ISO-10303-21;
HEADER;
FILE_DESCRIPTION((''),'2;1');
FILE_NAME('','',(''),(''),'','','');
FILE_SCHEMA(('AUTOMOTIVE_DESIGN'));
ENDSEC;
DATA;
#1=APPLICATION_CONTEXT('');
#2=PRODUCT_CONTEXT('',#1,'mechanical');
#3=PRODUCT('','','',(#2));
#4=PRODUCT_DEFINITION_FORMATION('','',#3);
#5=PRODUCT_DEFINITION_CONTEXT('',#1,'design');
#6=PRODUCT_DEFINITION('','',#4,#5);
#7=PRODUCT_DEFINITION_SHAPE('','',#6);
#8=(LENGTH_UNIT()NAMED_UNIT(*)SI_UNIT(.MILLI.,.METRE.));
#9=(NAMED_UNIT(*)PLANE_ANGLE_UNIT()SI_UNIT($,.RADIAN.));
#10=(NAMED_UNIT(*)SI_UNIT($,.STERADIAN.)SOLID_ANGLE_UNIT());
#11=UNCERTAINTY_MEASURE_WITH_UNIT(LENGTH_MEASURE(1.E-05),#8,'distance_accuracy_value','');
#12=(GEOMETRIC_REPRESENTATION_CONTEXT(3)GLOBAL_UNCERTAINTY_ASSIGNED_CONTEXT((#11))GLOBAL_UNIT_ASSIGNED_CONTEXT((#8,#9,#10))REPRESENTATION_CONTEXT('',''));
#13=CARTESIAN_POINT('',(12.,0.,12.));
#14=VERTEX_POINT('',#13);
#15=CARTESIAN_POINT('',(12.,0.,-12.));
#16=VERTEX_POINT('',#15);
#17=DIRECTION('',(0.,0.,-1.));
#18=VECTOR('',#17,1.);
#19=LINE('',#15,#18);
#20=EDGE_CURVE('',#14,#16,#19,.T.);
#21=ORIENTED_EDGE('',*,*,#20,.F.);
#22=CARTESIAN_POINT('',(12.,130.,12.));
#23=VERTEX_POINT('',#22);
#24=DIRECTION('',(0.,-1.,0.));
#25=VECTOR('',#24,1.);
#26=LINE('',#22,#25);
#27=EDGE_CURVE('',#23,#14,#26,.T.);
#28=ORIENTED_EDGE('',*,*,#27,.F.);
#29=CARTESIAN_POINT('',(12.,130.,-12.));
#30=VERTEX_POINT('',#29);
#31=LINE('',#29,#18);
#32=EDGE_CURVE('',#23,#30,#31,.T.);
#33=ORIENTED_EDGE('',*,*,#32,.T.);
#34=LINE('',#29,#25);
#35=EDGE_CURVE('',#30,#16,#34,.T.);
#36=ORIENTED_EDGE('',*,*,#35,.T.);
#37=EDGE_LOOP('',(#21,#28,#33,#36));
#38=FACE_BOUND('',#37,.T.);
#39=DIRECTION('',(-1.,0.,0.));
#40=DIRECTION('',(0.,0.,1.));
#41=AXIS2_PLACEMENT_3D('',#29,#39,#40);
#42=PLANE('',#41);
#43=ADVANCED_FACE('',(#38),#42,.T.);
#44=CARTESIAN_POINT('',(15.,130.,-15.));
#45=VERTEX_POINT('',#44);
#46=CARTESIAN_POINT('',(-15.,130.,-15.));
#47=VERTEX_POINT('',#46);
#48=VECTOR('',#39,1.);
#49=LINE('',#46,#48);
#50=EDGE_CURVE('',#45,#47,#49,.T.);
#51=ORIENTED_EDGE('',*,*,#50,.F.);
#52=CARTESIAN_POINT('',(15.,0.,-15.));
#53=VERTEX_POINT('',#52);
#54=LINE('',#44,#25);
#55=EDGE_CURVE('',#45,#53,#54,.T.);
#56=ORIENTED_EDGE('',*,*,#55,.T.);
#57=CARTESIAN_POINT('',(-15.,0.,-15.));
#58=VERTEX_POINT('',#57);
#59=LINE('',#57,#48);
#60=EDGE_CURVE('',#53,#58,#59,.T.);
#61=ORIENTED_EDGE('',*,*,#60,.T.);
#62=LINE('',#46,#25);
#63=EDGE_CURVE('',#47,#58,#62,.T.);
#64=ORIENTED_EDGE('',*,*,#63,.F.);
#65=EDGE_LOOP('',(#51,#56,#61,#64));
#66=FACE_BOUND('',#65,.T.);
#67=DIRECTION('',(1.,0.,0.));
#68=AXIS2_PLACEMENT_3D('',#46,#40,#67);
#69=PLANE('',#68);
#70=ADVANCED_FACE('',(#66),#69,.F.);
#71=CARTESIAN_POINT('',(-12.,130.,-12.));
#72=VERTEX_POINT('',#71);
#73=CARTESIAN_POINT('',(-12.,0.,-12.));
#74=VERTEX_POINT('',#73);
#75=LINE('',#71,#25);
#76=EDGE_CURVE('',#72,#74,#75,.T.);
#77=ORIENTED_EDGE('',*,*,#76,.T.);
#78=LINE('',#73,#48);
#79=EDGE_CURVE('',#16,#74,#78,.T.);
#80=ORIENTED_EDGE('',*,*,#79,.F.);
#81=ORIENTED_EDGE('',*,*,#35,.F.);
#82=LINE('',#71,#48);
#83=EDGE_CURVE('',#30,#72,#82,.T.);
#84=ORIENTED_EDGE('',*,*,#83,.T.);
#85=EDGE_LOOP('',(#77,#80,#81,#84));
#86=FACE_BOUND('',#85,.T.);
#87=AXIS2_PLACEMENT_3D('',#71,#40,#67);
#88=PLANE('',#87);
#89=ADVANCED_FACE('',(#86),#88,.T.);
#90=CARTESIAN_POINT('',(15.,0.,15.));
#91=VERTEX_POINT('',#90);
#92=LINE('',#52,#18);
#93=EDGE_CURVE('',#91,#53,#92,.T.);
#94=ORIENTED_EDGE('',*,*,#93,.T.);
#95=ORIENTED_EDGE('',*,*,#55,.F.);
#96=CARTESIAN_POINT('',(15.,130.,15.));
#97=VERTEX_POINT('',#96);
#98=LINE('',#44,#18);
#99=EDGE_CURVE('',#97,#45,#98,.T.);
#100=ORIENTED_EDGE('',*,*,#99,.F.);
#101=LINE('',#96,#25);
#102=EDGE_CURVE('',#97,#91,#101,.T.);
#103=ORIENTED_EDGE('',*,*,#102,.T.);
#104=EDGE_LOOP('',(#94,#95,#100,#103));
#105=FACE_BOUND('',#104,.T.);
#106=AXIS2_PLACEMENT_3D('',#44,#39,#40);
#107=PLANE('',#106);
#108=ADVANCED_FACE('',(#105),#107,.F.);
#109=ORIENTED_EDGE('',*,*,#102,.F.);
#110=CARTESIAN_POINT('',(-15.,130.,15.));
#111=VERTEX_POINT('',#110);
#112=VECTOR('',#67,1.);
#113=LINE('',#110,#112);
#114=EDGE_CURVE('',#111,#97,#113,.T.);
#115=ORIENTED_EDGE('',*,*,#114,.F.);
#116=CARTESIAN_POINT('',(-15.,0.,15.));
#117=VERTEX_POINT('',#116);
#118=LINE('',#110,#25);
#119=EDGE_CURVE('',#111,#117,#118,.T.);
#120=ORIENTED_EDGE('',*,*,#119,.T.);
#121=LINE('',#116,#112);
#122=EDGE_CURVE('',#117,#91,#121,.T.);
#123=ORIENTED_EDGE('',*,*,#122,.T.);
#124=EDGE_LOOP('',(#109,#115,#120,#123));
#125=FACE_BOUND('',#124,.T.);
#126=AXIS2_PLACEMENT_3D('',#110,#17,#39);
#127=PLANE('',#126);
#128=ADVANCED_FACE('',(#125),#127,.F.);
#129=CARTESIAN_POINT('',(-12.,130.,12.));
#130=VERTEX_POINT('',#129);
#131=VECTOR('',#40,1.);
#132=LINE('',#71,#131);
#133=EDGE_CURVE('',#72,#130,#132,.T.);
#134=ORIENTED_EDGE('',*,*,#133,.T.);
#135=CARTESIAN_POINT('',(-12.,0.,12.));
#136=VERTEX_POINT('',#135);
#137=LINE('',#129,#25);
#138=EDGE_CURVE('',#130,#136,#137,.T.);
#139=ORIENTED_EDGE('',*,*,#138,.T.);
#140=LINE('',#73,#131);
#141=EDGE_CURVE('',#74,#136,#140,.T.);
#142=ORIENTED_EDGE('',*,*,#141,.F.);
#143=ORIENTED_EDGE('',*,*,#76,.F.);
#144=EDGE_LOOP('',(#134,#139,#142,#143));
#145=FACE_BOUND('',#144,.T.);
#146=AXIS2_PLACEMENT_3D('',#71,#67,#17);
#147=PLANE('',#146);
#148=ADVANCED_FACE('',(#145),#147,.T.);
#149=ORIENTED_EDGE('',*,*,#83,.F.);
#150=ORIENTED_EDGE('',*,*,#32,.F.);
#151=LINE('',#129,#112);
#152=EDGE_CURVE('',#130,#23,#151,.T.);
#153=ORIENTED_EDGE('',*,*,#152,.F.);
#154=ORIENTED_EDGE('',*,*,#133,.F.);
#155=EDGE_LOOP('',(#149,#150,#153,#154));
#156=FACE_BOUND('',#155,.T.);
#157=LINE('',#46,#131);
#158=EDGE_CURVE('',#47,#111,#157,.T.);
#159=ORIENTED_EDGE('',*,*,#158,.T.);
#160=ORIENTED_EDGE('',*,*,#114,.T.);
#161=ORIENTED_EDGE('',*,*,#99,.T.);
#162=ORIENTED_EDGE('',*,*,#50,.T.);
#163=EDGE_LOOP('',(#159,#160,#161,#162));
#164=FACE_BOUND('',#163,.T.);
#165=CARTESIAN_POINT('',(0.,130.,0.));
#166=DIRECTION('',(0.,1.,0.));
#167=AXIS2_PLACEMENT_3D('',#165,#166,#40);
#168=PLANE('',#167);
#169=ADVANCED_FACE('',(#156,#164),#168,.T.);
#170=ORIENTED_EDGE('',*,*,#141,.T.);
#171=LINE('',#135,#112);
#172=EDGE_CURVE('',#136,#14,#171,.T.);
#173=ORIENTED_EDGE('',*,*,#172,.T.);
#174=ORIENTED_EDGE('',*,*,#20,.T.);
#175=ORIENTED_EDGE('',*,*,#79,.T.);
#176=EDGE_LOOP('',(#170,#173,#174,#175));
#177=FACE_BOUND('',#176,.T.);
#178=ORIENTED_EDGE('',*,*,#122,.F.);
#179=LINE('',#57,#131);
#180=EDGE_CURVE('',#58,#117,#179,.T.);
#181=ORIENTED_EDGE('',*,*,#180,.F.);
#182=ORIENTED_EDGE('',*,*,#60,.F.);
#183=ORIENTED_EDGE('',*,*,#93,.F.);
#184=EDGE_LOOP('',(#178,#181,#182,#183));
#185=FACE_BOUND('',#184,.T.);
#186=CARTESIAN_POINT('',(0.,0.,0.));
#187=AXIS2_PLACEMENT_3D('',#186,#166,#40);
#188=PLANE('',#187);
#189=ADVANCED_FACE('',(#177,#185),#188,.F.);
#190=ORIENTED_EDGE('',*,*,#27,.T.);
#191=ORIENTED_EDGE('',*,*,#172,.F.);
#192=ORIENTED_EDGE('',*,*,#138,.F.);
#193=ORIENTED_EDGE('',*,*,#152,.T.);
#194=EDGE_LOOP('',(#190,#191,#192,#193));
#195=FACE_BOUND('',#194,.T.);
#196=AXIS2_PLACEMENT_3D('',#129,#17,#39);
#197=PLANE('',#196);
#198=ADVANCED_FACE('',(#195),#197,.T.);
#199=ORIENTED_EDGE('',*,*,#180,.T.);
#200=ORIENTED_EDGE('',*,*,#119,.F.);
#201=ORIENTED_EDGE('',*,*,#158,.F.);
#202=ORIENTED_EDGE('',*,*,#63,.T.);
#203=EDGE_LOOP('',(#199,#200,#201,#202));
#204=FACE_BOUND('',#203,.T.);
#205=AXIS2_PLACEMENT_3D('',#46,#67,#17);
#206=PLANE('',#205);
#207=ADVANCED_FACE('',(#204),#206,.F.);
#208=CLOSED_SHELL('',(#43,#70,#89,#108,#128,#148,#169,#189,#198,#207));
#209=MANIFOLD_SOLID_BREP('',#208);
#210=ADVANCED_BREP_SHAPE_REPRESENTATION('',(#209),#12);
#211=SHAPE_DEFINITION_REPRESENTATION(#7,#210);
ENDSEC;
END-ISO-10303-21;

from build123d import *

# Parameters (mm, degrees)
CROQUIS1_W              = 30
CROQUIS1_H              = 30
CROQUIS1_W_2            = 24
CROQUIS1_H_2            = 24
SALIENTE_EXTRUIR1_DEPTH = 130


with BuildPart() as part:
    # Croquis1 → Saliente-Extruir1 (new body)
    with BuildSketch(Plane(origin=(0, 0, 0), x_dir=(1, 0, 0), z_dir=(0, 1, 0))):
        Rectangle(CROQUIS1_W, CROQUIS1_H)
        Rectangle(CROQUIS1_W_2, CROQUIS1_H_2, mode=Mode.SUBTRACT)
    extrude(amount=SALIENTE_EXTRUIR1_DEPTH)


solid = part.part
